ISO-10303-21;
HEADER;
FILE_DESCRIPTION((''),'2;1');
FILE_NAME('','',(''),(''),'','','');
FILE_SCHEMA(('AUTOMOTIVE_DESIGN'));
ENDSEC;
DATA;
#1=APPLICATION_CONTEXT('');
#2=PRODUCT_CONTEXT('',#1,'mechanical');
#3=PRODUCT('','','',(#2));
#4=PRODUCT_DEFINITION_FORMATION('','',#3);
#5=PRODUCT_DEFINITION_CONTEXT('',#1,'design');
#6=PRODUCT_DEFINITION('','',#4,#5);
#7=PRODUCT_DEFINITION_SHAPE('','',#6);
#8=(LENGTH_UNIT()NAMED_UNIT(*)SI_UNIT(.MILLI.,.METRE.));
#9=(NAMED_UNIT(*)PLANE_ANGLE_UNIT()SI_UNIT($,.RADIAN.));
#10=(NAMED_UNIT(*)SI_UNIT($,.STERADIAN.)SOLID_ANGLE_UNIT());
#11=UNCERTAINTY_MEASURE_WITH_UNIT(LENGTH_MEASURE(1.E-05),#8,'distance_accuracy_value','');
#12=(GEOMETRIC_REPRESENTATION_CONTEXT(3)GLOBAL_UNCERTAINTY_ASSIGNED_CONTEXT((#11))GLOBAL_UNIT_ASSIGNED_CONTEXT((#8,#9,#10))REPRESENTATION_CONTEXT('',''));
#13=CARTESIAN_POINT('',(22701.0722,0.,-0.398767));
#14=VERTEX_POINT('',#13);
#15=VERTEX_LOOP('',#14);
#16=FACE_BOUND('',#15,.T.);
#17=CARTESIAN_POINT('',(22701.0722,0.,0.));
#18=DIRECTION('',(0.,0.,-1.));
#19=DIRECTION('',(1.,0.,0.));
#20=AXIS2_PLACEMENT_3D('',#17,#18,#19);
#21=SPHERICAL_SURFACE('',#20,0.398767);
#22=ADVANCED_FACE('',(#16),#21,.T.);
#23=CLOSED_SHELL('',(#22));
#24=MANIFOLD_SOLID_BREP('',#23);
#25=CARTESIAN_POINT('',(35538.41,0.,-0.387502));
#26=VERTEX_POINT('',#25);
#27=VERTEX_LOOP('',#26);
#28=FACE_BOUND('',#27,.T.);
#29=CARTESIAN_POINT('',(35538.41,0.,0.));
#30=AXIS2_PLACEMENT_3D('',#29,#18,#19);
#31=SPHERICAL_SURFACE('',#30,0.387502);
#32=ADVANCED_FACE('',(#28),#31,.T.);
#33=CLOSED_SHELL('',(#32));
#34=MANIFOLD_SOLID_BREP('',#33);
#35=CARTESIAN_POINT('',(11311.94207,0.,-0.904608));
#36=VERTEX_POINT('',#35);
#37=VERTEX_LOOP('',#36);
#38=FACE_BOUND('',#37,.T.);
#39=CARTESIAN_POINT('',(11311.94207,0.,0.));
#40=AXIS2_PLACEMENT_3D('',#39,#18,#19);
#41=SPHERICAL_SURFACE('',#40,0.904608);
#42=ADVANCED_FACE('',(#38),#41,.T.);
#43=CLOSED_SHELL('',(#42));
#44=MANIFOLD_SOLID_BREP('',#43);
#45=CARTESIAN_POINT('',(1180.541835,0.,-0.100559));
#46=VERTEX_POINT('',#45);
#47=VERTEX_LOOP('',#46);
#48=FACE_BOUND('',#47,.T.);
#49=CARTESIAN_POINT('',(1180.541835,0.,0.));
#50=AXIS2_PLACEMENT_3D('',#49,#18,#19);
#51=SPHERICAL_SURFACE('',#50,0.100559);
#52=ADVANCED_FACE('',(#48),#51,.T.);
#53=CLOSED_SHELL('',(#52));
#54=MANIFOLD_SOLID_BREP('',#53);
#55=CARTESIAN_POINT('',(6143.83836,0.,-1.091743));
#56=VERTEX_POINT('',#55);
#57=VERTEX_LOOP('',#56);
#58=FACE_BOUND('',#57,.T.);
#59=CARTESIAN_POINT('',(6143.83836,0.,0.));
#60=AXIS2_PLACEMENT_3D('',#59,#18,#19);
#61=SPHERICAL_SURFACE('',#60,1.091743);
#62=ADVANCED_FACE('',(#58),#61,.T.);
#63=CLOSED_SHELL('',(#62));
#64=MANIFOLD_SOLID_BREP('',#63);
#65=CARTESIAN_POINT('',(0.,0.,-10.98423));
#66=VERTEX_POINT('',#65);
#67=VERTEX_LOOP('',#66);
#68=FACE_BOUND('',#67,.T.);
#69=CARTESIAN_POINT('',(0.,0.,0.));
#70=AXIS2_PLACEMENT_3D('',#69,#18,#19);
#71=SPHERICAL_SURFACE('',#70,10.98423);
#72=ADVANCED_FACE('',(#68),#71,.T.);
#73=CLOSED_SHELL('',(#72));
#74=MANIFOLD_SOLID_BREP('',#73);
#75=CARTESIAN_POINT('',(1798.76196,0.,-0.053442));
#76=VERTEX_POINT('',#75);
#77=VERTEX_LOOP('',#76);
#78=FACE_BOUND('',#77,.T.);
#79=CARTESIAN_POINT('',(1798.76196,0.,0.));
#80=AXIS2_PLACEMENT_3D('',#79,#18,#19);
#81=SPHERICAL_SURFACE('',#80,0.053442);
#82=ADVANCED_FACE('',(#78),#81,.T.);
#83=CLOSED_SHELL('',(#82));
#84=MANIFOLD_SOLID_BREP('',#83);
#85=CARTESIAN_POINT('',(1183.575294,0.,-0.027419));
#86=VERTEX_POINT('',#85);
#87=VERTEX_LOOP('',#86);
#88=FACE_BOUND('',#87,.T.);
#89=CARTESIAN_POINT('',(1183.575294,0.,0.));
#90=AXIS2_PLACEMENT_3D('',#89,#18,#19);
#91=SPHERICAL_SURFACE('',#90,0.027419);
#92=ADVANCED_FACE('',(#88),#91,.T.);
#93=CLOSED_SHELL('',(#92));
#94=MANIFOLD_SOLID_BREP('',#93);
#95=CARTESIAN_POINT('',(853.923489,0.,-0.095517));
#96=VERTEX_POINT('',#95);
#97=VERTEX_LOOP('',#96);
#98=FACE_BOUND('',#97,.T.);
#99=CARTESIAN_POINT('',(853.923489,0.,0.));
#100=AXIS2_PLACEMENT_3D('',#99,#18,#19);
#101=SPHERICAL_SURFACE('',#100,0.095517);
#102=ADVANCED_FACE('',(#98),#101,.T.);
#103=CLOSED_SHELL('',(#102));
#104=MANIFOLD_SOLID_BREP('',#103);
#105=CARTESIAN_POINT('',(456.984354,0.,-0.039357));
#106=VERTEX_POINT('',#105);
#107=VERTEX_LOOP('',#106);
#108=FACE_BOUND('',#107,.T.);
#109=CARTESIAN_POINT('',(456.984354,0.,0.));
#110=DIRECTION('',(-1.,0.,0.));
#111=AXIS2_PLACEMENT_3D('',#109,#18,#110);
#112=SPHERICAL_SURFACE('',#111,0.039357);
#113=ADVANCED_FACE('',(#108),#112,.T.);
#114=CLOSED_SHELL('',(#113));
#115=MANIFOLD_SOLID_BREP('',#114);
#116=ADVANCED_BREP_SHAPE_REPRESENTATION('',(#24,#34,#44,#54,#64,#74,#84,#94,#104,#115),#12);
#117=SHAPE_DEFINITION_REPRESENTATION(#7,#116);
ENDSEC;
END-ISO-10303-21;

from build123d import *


with BuildPart() as part:
    # Sketch1 → Revolve-Sun (revolve)
    with BuildSketch(Plane(origin=(0, 0, 0), x_dir=(1, 0, 0), z_dir=(0, 1, 0))):
        with BuildLine():
            Line((0, 10.98423), (0, -10.98423))
            ThreePointArc((0, -10.98423), (10.98423, 0), (0, 10.98423))
        make_face()
    revolve(axis=Axis((0, 0, -10.98423), (0, 0, 1)))


with BuildPart() as body_2:
    # Sketch10 → Revolve-Mercury (revolve)
    with BuildSketch(Plane(origin=(0, 0, 0), x_dir=(1, 0, 0), z_dir=(0, 1, 0))):
        with BuildLine():
            Line((456.984354, 0.0393573), (456.984354, -0.0393573))
            ThreePointArc((456.984354, -0.0393573), (457.0237113, 0), (456.984354, 0.0393573))
        make_face()
    revolve(axis=Axis((456.984354, 0, -0.0393573), (0, 0, 1)))


with BuildPart() as body_3:
    # Sketch9 → Revolve-Venus (revolve)
    with BuildSketch(Plane(origin=(0, 0, 0), x_dir=(1, 0, 0), z_dir=(0, 1, 0))):
        with BuildLine():
            Line((853.923489, 0.0955167), (853.923489, -0.0955167))
            ThreePointArc((853.923489, -0.0955167), (854.0190057, 0), (853.923489, 0.0955167))
        make_face()
    revolve(axis=Axis((853.923489, 0, -0.0955167), (0, 0, 1)))


with BuildPart() as body_4:
    # Sketch7 → Revolve-Earth (revolve)
    with BuildSketch(Plane(origin=(0, 0, 0), x_dir=(1, 0, 0), z_dir=(0, 1, 0))):
        with BuildLine():
            Line((1180.541835, 0.1005586), (1180.541835, -0.1005586))
            ThreePointArc((1180.541835, -0.1005586), (1180.6423936, 0), (1180.541835, 0.1005586))
        make_face()
    revolve(axis=Axis((1180.541835, 0, -0.1005586), (0, 0, 1)))


with BuildPart() as body_5:
    # Sketch8 → Revolve-Moon (revolve)
    with BuildSketch(Plane(origin=(0, 0, 0), x_dir=(1, 0, 0), z_dir=(0, 1, 0))):
        with BuildLine():
            Line((1183.5752935, 0.0274193), (1183.5752935, -0.0274193))
            ThreePointArc((1183.5752935, -0.0274193), (1183.6027128, 0), (1183.5752935, 0.0274193))
        make_face()
    revolve(axis=Axis((1183.5752935, 0, -0.0274193), (0, 0, 1)))


with BuildPart() as body_6:
    # Sketch6 → Revolve-Mars (revolve)
    with BuildSketch(Plane(origin=(0, 0, 0), x_dir=(1, 0, 0), z_dir=(0, 1, 0))):
        with BuildLine():
            Line((1798.76196, 0.0534416), (1798.76196, -0.0534416))
            ThreePointArc((1798.76196, -0.0534416), (1798.8154016, 0), (1798.76196, 0.0534416))
        make_face()
    revolve(axis=Axis((1798.76196, 0, -0.0534416), (0, 0, 1)))


with BuildPart() as body_7:
    # Sketch5 → Revolve-Jupiter (revolve)
    with BuildSketch(Plane(origin=(0, 0, 0), x_dir=(1, 0, 0), z_dir=(0, 1, 0))):
        with BuildLine():
            Line((6143.83836, 1.0917428), (6143.83836, -1.0917428))
            ThreePointArc((6143.83836, -1.0917428), (6144.9301028, 0), (6143.83836, 1.0917428))
        make_face()
    revolve(axis=Axis((6143.83836, 0, -1.0917428), (0, 0, 1)))


with BuildPart() as body_8:
    # Sketch4 → Revolve-Saturn (revolve)
    with BuildSketch(Plane(origin=(0, 0, 0), x_dir=(1, 0, 0), z_dir=(0, 1, 0))):
        with BuildLine():
            Line((11311.94207, 0.9046083), (11311.94207, -0.9046083))
            ThreePointArc((11311.94207, -0.9046083), (11312.8466783, 0), (11311.94207, 0.9046083))
        make_face()
    revolve(axis=Axis((11311.94207, 0, -0.9046083), (0, 0, 1)))


with BuildPart() as body_9:
    # Sketch3 → Revolve-Uranus (revolve)
    with BuildSketch(Plane(origin=(0, 0, 0), x_dir=(1, 0, 0), z_dir=(0, 1, 0))):
        with BuildLine():
            Line((22701.0722, 0.3987673), (22701.0722, -0.3987673))
            ThreePointArc((22701.0722, -0.3987673), (22701.4709673, 0), (22701.0722, 0.3987673))
        make_face()
    revolve(axis=Axis((22701.0722, 0, -0.3987673), (0, 0, 1)))


with BuildPart() as body_10:
    # Sketch2 → Revolve-Neptune (revolve)
    with BuildSketch(Plane(origin=(0, 0, 0), x_dir=(1, 0, 0), z_dir=(0, 1, 0))):
        with BuildLine():
            Line((35538.41, 0.3875024), (35538.41, -0.3875024))
            ThreePointArc((35538.41, -0.3875024), (35538.7975024, 0), (35538.41, 0.3875024))
        make_face()
    revolve(axis=Axis((35538.41, 0, -0.3875024), (0, 0, 1)))


solid = Compound([part.part, body_2.part, body_3.part, body_4.part, body_5.part, body_6.part, body_7.part, body_8.part, body_9.part, body_10.part])
